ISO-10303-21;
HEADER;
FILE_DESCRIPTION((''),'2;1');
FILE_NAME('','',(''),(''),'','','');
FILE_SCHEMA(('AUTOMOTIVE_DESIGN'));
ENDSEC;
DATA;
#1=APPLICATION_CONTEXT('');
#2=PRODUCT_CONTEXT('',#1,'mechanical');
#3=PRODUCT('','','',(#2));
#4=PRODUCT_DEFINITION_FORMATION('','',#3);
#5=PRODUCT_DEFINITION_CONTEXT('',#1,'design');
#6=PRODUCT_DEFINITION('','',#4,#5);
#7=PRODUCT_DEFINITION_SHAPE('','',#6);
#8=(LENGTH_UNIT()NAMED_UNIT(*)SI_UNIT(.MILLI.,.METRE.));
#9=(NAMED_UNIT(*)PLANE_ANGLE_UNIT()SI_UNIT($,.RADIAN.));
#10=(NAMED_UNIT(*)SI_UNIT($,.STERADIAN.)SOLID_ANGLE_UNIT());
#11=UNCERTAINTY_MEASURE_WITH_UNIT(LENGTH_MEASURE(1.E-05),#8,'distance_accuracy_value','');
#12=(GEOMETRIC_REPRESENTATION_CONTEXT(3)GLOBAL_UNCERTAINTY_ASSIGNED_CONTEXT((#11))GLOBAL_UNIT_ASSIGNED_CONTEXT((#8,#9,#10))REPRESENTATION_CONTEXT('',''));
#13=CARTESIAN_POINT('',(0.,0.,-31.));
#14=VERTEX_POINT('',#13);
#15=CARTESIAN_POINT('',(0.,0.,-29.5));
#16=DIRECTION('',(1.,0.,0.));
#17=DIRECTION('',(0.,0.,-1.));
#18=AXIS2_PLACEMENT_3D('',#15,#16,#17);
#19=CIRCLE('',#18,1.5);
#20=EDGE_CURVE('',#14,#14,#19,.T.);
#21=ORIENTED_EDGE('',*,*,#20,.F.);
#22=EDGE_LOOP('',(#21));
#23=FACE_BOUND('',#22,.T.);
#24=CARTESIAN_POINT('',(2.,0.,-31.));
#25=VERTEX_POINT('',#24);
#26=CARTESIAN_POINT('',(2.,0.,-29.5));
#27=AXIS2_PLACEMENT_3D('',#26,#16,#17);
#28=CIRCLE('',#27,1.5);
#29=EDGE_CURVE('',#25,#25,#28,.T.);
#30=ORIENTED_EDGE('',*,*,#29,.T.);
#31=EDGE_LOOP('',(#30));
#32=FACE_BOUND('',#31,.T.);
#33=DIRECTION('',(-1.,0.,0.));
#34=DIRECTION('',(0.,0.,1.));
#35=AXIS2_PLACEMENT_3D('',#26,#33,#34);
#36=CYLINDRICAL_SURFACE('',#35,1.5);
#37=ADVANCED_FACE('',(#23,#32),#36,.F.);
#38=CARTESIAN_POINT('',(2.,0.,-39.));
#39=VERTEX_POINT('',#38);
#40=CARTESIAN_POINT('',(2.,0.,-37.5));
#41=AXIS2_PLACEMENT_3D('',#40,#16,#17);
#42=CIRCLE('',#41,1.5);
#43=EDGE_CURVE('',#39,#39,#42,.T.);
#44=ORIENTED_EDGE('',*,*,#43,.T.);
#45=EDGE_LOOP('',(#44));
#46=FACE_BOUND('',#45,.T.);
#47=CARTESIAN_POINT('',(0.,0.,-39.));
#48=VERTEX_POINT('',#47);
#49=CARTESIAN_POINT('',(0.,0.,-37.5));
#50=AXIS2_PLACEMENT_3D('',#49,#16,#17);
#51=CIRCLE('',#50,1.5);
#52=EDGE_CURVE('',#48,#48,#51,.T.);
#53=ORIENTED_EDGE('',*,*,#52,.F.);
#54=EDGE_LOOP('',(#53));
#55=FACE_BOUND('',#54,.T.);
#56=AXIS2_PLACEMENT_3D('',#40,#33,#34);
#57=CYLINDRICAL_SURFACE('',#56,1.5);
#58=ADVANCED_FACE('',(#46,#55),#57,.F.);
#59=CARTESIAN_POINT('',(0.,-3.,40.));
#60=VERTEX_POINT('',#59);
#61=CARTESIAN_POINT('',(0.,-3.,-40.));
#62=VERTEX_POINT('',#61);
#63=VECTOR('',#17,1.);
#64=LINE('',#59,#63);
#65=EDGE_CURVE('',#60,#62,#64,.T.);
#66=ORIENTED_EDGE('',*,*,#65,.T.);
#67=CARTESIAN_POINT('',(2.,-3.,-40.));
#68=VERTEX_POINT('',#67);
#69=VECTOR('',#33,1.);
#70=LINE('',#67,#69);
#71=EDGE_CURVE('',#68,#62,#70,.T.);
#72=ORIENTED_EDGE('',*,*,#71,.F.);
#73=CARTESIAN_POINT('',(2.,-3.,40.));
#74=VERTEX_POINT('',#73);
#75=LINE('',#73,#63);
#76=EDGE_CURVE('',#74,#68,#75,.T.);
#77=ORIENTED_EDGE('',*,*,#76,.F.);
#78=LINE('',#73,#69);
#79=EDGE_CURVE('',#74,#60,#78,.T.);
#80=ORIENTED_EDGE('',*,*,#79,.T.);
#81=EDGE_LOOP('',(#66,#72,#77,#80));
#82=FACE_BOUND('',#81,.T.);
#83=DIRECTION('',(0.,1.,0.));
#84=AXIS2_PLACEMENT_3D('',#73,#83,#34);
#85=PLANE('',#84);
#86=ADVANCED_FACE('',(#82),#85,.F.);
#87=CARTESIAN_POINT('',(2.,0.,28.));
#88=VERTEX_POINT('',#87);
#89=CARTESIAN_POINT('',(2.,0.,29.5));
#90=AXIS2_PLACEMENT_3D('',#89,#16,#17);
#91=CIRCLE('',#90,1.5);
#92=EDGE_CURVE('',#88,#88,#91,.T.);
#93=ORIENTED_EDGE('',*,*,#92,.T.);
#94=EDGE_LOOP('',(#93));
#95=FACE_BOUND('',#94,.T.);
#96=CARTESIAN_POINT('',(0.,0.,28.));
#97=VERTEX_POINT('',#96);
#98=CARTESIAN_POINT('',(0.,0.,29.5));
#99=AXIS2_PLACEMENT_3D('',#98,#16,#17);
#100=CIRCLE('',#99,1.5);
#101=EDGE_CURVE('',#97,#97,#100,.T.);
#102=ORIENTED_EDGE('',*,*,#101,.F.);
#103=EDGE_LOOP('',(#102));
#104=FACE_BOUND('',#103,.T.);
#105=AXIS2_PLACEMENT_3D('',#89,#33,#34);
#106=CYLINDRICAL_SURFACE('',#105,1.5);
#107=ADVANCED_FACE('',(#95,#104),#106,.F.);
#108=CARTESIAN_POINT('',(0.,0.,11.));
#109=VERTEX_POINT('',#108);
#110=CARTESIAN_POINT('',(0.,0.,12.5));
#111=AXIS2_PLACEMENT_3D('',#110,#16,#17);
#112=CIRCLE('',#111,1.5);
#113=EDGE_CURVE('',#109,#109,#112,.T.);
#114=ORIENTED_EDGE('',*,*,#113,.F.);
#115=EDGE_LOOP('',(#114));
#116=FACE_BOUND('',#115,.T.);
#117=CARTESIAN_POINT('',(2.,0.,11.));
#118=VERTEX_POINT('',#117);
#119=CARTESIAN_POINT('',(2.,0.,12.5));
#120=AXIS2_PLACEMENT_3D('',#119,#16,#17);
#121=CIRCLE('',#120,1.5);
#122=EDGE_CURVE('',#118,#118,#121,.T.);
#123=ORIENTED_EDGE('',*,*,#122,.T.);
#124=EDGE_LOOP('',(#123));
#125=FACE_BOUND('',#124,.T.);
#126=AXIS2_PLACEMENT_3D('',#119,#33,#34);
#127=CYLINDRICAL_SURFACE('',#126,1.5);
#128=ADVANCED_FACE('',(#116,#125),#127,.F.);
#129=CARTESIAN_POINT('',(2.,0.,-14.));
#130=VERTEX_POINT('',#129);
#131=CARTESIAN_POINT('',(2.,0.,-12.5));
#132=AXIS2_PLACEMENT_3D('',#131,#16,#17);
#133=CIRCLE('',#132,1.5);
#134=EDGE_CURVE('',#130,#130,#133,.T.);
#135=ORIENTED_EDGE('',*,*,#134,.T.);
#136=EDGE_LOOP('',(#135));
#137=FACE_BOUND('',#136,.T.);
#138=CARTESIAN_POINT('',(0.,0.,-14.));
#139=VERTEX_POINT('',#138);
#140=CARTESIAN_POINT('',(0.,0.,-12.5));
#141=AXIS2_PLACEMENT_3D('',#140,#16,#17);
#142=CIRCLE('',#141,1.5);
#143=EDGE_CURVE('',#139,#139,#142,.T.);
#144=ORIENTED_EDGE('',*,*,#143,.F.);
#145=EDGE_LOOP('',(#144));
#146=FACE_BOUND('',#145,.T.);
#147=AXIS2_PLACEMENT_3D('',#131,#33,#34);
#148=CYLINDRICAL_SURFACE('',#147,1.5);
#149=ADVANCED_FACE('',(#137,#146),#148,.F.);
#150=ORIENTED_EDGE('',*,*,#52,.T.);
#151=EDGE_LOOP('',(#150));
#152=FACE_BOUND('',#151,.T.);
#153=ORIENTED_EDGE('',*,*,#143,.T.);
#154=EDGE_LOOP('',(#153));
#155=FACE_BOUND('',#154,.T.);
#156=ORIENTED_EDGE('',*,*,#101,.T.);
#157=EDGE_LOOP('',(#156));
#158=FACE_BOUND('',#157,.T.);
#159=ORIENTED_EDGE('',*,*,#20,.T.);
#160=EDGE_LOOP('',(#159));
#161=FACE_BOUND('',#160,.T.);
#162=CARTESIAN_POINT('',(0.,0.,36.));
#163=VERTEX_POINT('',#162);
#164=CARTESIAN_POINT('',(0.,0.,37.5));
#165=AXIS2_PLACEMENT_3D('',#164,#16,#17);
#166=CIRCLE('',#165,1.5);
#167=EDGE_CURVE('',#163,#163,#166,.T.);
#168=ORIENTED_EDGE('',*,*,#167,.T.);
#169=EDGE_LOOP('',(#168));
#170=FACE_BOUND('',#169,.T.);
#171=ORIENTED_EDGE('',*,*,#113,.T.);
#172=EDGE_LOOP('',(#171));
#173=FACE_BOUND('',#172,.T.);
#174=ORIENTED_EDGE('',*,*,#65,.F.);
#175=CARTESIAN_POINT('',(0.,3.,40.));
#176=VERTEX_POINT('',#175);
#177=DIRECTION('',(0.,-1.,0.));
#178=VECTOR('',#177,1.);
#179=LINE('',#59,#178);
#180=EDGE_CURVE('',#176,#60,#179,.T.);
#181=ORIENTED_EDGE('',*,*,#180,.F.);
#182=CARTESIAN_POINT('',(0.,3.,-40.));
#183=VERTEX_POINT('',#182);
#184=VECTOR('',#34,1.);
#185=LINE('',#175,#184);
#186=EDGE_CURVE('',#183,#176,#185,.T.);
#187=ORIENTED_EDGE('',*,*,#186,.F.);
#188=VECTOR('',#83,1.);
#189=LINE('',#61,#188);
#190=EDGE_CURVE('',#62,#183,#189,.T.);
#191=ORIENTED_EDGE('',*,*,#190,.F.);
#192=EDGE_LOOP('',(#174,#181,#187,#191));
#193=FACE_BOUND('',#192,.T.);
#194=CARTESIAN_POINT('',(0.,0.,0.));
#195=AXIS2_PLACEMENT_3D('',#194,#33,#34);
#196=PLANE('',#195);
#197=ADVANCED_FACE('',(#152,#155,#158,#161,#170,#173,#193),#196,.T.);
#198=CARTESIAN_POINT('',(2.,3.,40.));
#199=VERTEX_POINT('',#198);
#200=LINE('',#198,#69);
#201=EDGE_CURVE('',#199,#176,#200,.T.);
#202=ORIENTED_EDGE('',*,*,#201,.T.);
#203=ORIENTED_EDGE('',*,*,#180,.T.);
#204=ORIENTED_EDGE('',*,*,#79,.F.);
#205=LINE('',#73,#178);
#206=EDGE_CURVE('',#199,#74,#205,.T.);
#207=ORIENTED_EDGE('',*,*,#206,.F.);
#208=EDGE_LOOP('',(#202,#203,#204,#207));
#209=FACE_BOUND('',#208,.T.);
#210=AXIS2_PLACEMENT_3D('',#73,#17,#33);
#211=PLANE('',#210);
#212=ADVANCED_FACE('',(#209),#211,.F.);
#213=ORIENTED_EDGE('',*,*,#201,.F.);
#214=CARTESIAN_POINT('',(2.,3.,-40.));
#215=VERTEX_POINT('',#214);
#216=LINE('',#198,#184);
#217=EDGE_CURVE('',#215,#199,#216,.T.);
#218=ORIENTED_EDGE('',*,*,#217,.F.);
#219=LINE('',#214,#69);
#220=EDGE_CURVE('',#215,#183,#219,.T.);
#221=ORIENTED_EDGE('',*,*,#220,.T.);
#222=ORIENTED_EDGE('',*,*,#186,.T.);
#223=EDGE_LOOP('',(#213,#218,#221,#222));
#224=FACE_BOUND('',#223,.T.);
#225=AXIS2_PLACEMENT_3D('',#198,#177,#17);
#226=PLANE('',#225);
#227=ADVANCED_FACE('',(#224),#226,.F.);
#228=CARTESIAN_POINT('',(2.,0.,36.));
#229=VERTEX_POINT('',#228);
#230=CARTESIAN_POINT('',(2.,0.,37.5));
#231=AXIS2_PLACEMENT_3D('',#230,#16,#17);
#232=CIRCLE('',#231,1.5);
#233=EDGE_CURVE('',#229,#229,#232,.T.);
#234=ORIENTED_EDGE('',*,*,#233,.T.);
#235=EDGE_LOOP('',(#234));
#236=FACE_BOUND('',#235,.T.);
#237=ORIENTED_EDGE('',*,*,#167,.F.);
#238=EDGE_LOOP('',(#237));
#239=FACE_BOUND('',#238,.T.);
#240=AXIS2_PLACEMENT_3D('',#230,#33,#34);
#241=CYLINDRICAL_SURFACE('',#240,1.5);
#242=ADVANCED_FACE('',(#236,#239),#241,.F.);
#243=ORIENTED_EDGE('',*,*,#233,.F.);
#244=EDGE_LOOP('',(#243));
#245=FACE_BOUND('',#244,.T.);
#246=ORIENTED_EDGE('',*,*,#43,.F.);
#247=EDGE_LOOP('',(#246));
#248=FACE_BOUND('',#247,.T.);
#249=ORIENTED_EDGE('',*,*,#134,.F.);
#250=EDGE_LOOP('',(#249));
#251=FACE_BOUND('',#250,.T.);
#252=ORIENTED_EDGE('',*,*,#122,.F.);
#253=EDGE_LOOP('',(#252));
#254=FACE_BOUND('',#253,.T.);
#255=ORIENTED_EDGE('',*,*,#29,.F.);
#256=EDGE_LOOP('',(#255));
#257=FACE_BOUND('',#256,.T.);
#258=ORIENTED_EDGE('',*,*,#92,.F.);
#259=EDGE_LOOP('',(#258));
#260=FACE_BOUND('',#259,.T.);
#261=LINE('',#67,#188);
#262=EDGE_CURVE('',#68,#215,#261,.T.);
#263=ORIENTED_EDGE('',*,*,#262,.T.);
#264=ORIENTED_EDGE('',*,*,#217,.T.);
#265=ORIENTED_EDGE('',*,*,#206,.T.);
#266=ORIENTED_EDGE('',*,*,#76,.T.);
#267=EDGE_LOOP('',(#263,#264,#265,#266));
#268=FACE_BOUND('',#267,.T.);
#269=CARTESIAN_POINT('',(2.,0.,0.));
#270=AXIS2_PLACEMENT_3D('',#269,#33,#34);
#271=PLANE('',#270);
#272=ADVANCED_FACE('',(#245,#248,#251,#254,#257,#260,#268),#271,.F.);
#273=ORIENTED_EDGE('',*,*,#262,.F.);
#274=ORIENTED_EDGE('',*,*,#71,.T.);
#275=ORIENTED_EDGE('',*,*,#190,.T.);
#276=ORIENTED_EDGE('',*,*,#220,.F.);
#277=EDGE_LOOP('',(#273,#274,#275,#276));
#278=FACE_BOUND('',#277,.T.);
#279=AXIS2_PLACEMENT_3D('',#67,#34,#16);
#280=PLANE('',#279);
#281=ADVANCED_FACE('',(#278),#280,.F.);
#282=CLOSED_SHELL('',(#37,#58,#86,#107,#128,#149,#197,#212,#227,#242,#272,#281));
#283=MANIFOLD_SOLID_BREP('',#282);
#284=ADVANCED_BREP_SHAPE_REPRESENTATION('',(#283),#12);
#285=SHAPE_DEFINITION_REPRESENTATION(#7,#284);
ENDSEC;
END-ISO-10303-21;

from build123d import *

# Parameters (mm, degrees)
SKETCH_1_W      = 80
SKETCH_1_H      = 6
SKETCH_1_R      = 1.5
EXTRUDE_1_DEPTH = 2


with BuildPart() as part:
    # 草图1 → 凸台-拉伸1 (new body)
    with BuildSketch(Plane(origin=(0, 0, 0), x_dir=(0, 0, -1), z_dir=(1, 0, 0))):
        Rectangle(SKETCH_1_W, SKETCH_1_H)
        with Locations((-37.5, 0)):
            Circle(SKETCH_1_R, mode=Mode.SUBTRACT)
        with Locations((-12.5, 0)):
            Circle(SKETCH_1_R, mode=Mode.SUBTRACT)
        with Locations((12.5, 0)):
            Circle(SKETCH_1_R, mode=Mode.SUBTRACT)
        with Locations((37.5, 0)):
            Circle(SKETCH_1_R, mode=Mode.SUBTRACT)
        with Locations((-29.5, 0)):
            Circle(SKETCH_1_R, mode=Mode.SUBTRACT)
        with Locations((29.5, 0)):
            Circle(SKETCH_1_R, mode=Mode.SUBTRACT)
    extrude(amount=EXTRUDE_1_DEPTH)


solid = part.part
